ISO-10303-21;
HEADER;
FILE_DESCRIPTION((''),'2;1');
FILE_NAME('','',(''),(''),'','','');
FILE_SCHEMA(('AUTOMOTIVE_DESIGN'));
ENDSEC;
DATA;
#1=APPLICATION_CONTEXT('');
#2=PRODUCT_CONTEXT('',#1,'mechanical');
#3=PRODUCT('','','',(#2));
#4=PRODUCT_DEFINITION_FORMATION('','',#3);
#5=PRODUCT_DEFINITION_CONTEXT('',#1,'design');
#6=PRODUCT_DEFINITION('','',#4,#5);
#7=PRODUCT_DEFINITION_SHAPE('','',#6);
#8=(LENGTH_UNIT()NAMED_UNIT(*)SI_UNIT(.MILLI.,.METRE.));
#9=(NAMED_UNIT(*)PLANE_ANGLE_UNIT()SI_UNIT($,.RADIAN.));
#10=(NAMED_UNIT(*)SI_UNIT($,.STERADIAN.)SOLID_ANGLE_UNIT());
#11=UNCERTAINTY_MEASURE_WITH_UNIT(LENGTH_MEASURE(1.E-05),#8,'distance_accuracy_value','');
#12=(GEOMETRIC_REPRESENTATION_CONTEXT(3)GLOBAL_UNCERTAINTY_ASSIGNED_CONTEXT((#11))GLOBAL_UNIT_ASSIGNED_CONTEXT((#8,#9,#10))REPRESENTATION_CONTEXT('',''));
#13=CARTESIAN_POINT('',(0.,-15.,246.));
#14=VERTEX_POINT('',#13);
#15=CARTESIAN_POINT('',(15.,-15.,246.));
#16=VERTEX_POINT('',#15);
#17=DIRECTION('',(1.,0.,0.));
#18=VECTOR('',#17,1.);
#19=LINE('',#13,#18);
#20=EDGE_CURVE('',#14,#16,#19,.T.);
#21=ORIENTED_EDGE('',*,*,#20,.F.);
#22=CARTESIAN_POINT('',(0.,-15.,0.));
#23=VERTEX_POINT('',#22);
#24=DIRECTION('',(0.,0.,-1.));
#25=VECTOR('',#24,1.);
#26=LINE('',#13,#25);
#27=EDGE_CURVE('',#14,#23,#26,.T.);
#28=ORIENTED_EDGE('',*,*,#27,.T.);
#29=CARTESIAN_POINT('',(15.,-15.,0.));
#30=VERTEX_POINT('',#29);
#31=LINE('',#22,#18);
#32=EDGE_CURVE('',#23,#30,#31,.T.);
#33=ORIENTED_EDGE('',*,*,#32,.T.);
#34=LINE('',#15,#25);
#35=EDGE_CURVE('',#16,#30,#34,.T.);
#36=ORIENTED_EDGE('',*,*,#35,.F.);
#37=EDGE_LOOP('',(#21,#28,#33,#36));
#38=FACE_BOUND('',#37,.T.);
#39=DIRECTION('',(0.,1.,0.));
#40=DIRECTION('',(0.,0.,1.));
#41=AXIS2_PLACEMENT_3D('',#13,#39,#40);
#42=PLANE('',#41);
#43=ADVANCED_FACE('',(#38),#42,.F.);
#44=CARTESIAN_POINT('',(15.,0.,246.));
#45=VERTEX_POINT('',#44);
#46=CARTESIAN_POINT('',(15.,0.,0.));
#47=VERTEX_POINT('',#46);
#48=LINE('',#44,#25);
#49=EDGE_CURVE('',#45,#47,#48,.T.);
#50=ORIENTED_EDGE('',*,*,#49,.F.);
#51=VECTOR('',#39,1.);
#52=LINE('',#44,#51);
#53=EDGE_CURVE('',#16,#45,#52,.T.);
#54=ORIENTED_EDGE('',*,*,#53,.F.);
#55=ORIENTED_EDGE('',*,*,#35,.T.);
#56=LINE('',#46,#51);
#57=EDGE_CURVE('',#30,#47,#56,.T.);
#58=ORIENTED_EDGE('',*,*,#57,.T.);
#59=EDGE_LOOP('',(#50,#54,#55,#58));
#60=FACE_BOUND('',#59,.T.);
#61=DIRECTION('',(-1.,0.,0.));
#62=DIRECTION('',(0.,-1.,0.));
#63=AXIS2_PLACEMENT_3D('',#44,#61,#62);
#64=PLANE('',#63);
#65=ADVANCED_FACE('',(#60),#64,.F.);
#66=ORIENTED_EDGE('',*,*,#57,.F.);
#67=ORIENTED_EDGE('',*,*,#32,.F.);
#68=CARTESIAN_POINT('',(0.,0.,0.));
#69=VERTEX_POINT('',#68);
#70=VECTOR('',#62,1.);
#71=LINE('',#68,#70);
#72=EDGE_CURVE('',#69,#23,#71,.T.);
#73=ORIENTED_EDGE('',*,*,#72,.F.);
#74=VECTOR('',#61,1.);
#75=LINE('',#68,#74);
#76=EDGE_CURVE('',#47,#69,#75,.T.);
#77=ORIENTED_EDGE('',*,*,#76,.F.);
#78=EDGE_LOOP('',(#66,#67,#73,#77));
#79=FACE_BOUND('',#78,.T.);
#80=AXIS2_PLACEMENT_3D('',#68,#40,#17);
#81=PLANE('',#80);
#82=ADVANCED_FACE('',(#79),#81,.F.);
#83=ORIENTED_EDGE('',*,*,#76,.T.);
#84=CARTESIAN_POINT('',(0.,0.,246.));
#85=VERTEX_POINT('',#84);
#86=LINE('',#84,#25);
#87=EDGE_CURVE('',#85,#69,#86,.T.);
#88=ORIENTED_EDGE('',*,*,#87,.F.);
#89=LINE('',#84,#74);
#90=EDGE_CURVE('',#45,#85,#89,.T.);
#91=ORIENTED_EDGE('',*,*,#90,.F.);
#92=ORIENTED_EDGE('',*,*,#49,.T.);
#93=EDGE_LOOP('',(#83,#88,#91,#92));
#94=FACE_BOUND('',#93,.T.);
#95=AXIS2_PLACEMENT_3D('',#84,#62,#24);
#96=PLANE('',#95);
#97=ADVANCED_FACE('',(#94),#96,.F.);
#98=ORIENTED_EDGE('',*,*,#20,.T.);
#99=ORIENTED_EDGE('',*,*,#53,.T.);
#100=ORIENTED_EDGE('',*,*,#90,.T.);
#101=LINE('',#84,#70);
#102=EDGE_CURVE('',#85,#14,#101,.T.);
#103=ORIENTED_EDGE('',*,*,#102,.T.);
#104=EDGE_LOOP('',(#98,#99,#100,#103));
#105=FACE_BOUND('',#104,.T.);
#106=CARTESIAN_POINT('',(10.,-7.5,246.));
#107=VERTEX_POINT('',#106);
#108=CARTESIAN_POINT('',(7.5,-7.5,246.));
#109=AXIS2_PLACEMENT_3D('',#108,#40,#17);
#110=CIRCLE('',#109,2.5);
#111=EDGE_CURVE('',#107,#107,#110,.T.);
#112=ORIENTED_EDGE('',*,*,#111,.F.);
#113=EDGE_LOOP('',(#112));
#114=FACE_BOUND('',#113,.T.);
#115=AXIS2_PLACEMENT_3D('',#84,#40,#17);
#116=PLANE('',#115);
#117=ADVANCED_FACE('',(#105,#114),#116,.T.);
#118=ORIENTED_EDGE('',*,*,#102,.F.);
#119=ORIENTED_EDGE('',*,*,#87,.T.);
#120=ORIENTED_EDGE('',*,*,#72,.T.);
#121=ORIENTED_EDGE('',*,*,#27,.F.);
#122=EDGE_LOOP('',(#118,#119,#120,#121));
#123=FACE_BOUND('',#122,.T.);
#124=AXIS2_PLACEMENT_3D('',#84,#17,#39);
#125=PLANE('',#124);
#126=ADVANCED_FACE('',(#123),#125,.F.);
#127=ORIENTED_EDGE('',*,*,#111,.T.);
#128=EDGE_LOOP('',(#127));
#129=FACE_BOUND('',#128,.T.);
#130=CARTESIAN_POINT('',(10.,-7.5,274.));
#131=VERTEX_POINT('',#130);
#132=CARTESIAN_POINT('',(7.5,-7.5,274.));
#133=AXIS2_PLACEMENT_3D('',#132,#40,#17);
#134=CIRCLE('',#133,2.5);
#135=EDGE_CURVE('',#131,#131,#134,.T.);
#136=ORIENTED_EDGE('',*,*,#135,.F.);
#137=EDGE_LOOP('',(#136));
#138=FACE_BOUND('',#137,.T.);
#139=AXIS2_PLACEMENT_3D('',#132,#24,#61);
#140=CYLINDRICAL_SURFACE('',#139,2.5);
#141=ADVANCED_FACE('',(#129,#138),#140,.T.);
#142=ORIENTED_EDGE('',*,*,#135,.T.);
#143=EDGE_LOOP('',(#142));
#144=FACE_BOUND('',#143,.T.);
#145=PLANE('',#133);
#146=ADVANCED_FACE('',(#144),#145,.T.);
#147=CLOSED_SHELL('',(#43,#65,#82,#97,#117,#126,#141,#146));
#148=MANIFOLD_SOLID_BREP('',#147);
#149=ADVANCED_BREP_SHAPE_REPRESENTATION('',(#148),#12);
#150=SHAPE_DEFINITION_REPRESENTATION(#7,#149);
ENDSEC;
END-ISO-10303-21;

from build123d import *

# Parameters (mm, degrees)
SKETCH_1_W      = 15
SKETCH_1_H      = 15
EXTRUDE_1_DEPTH = 246
SKETCH_2_R      = 2.5
EXTRUDE_2_DEPTH = 28


with BuildPart() as part:
    # 草图1 → 凸台-拉伸1 (new body)
    with BuildSketch(Plane.XY):
        with Locations((7.5, -7.5)):
            Rectangle(SKETCH_1_W, SKETCH_1_H)
    extrude(amount=EXTRUDE_1_DEPTH)

    # 草图2 → 凸台-拉伸2 (add)
    with BuildSketch(Plane.XY.offset(246)):
        with Locations((7.5, -7.5)):
            Circle(SKETCH_2_R)
    extrude(amount=EXTRUDE_2_DEPTH)


solid = part.part
